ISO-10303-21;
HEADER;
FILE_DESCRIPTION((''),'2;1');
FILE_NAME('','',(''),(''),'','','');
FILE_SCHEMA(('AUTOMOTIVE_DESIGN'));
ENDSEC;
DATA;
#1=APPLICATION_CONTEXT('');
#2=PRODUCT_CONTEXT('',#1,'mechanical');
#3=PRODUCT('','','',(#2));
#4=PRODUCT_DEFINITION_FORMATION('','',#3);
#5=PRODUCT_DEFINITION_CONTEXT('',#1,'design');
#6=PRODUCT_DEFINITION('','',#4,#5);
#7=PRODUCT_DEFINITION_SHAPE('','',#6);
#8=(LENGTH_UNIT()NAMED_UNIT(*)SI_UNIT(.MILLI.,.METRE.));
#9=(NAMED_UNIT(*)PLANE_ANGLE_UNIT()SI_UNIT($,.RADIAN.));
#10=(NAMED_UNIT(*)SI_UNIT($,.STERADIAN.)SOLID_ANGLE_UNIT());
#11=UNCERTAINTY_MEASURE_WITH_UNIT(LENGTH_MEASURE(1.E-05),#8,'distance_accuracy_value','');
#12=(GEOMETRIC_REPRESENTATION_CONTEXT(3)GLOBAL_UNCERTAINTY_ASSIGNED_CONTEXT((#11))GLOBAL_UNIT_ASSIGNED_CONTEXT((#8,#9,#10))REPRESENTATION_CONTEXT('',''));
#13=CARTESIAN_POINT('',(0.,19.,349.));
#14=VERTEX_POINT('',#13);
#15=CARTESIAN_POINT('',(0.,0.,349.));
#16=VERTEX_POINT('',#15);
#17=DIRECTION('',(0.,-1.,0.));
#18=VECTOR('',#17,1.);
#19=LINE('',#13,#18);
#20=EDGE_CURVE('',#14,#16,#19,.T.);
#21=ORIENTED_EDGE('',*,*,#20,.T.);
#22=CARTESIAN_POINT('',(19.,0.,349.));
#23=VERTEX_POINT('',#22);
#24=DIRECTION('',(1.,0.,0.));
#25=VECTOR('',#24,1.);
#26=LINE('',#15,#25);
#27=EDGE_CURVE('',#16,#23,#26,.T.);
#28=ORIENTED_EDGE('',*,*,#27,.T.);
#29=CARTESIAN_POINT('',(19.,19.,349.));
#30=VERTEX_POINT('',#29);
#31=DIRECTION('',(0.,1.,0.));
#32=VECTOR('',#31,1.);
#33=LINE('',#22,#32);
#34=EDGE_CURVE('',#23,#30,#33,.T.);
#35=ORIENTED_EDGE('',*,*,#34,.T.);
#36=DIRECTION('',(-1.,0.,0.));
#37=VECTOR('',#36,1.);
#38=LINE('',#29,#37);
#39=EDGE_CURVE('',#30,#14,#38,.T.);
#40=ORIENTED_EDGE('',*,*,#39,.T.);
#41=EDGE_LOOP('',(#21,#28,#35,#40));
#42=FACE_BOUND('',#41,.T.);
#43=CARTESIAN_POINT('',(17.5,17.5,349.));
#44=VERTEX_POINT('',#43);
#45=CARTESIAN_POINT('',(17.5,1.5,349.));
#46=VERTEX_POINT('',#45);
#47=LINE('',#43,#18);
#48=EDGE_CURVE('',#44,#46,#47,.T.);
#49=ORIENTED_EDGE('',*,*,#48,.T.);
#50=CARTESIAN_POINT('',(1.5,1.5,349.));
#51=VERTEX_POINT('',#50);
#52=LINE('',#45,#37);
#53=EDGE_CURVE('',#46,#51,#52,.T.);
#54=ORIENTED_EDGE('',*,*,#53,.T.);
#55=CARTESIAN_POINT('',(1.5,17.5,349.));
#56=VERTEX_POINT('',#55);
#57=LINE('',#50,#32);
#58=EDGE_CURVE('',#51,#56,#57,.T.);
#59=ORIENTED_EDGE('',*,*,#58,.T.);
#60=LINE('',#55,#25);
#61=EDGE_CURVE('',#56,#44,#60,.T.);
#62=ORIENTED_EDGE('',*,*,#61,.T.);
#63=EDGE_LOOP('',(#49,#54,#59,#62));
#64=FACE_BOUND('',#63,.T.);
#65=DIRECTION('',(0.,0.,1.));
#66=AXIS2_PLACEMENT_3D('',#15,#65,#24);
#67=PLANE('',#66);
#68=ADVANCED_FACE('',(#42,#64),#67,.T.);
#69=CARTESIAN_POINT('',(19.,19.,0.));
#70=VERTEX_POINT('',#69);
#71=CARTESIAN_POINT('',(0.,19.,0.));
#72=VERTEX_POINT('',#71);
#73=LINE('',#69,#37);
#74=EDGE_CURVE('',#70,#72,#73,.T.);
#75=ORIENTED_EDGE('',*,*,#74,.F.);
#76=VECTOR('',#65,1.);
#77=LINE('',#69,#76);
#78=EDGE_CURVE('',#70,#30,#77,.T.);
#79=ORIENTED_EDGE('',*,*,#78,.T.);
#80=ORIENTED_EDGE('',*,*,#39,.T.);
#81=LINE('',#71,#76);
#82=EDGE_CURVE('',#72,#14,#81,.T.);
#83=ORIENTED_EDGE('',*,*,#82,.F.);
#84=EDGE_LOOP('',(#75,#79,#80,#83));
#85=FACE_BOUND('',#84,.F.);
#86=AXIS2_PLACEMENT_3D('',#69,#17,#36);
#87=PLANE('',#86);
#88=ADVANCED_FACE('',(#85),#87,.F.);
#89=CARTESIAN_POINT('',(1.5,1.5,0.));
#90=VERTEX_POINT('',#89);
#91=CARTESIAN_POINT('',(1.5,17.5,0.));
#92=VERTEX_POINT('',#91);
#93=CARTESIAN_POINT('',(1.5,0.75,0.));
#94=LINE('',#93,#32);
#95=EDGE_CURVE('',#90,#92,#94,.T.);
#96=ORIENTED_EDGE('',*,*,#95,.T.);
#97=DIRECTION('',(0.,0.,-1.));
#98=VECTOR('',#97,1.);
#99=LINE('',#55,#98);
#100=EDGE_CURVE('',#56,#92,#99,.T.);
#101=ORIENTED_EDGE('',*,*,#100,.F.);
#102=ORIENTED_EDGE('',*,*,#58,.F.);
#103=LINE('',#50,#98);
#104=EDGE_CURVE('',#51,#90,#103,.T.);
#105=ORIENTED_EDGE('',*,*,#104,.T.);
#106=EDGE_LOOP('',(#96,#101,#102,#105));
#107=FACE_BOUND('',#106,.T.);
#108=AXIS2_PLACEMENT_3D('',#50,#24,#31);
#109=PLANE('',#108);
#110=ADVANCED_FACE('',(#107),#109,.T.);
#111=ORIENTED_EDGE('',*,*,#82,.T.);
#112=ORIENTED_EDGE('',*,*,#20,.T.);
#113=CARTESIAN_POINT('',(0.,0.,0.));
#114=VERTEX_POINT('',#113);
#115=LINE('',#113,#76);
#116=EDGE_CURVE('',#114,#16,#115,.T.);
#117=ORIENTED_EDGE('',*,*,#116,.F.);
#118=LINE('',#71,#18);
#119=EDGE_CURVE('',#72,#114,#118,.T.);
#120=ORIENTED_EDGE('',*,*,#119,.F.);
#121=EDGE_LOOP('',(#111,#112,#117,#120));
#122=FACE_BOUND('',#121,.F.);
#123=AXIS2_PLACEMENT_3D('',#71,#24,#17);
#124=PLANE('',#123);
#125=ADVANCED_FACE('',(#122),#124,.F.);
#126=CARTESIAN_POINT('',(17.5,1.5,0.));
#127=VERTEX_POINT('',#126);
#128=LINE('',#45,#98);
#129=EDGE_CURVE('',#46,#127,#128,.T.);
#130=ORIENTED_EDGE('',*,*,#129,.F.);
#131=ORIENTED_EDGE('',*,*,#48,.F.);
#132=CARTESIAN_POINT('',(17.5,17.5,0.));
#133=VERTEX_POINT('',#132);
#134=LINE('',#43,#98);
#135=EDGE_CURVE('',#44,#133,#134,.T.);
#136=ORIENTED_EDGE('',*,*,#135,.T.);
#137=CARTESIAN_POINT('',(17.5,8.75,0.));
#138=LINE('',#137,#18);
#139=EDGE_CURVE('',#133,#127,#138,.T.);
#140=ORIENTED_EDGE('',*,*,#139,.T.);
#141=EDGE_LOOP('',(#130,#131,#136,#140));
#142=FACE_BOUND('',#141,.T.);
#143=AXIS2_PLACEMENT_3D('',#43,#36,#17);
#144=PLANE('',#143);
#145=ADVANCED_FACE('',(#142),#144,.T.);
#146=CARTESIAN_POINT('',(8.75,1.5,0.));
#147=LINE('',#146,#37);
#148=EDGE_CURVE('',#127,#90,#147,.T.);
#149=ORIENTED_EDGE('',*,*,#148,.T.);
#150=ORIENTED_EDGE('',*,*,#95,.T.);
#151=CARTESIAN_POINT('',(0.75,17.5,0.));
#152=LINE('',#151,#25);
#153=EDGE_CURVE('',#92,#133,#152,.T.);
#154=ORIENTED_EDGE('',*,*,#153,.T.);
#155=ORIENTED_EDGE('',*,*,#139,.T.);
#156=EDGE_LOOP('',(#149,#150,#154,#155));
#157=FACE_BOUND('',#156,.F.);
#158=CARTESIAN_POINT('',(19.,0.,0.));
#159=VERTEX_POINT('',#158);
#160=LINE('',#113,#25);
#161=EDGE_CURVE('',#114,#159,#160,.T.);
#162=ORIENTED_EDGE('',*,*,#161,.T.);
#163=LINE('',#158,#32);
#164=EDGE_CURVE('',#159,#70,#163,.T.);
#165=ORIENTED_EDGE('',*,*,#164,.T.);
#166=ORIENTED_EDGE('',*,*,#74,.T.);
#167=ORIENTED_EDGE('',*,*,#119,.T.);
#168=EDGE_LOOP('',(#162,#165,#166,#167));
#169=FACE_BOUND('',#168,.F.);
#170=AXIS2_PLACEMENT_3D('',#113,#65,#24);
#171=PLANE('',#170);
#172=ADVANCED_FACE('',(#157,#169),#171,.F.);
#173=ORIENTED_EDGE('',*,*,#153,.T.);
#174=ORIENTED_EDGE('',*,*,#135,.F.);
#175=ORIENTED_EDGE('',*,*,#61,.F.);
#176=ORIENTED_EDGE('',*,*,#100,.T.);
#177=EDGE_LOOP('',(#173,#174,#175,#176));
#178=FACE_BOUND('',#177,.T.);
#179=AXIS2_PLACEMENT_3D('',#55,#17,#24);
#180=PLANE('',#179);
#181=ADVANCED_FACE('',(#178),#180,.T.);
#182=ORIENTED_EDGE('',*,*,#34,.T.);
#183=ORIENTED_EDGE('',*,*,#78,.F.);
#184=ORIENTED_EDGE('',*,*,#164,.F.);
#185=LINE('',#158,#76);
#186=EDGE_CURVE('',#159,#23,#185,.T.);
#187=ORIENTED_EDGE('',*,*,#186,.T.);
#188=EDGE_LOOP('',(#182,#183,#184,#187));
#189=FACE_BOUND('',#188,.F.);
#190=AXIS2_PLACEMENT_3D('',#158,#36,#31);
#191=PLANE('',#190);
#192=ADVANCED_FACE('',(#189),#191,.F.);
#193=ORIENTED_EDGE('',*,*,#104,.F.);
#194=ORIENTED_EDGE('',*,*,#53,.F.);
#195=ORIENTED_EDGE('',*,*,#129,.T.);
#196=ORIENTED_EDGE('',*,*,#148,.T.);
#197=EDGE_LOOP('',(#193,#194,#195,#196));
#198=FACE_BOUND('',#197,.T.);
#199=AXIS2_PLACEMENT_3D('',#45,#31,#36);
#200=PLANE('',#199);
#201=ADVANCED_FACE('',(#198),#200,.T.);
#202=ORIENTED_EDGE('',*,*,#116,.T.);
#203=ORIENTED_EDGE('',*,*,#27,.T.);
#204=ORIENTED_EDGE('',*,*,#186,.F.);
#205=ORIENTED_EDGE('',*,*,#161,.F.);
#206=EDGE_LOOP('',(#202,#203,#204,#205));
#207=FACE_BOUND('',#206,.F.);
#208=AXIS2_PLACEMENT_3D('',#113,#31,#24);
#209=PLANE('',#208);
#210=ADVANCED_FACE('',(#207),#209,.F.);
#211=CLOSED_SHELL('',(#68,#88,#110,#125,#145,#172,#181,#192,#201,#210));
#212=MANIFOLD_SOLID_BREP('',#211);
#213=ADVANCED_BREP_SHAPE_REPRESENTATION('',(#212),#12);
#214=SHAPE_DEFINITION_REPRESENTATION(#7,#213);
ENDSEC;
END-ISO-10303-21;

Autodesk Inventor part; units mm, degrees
ref_plane "YZ Plane" through (0, 0, 0) normal (1, 0, 0) x (0, 1, 0)
ref_plane "XZ Plane" through (0, 0, 0) normal (0, 1, 0) x (-1, 0, 0)
ref_plane "XY Plane" through (0, 0, 0) normal (0, 0, 1) x (1, 0, 0)
sketch "Sketch1" plane through (0, 0, 0) normal (0, 0, 1) x (1, 0, 0)
  line L0 (0, 0) -> (19, 0)
  line L1 (19, 0) -> (19, 19)
  line L2 (19, 19) -> (0, 19)
  line L3 (0, 19) -> (0, 0)
  dimension "d0" = 19
  dimension "d1" = 19
extrude "Extrusion1" add sketch "Sketch1" along normal blind 349
sketch "Sketch2" plane through (0, 0, 349) normal (0, 0, 1) x (1, 0, 0)
  line L0 (0, 0) -> (19, 0) projected
  line L1 (19, 0) -> (19, 19) projected
  line L2 (19, 19) -> (0, 19) projected
  line L3 (0, 19) -> (0, 0) projected
  line L4 (1.5, 17.5) -> (17.5, 17.5)
  line L5 (17.5, 17.5) -> (17.5, 1.5)
  line L6 (17.5, 1.5) -> (1.5, 1.5)
  line L7 (1.5, 1.5) -> (1.5, 17.5)
  dimension "d4" = 1.5
extrude "Extrusion2" cut sketch "Sketch2" against normal through all contours L4 L5 L6 L7
properties part number "C013" material "Aluminum 6061"
